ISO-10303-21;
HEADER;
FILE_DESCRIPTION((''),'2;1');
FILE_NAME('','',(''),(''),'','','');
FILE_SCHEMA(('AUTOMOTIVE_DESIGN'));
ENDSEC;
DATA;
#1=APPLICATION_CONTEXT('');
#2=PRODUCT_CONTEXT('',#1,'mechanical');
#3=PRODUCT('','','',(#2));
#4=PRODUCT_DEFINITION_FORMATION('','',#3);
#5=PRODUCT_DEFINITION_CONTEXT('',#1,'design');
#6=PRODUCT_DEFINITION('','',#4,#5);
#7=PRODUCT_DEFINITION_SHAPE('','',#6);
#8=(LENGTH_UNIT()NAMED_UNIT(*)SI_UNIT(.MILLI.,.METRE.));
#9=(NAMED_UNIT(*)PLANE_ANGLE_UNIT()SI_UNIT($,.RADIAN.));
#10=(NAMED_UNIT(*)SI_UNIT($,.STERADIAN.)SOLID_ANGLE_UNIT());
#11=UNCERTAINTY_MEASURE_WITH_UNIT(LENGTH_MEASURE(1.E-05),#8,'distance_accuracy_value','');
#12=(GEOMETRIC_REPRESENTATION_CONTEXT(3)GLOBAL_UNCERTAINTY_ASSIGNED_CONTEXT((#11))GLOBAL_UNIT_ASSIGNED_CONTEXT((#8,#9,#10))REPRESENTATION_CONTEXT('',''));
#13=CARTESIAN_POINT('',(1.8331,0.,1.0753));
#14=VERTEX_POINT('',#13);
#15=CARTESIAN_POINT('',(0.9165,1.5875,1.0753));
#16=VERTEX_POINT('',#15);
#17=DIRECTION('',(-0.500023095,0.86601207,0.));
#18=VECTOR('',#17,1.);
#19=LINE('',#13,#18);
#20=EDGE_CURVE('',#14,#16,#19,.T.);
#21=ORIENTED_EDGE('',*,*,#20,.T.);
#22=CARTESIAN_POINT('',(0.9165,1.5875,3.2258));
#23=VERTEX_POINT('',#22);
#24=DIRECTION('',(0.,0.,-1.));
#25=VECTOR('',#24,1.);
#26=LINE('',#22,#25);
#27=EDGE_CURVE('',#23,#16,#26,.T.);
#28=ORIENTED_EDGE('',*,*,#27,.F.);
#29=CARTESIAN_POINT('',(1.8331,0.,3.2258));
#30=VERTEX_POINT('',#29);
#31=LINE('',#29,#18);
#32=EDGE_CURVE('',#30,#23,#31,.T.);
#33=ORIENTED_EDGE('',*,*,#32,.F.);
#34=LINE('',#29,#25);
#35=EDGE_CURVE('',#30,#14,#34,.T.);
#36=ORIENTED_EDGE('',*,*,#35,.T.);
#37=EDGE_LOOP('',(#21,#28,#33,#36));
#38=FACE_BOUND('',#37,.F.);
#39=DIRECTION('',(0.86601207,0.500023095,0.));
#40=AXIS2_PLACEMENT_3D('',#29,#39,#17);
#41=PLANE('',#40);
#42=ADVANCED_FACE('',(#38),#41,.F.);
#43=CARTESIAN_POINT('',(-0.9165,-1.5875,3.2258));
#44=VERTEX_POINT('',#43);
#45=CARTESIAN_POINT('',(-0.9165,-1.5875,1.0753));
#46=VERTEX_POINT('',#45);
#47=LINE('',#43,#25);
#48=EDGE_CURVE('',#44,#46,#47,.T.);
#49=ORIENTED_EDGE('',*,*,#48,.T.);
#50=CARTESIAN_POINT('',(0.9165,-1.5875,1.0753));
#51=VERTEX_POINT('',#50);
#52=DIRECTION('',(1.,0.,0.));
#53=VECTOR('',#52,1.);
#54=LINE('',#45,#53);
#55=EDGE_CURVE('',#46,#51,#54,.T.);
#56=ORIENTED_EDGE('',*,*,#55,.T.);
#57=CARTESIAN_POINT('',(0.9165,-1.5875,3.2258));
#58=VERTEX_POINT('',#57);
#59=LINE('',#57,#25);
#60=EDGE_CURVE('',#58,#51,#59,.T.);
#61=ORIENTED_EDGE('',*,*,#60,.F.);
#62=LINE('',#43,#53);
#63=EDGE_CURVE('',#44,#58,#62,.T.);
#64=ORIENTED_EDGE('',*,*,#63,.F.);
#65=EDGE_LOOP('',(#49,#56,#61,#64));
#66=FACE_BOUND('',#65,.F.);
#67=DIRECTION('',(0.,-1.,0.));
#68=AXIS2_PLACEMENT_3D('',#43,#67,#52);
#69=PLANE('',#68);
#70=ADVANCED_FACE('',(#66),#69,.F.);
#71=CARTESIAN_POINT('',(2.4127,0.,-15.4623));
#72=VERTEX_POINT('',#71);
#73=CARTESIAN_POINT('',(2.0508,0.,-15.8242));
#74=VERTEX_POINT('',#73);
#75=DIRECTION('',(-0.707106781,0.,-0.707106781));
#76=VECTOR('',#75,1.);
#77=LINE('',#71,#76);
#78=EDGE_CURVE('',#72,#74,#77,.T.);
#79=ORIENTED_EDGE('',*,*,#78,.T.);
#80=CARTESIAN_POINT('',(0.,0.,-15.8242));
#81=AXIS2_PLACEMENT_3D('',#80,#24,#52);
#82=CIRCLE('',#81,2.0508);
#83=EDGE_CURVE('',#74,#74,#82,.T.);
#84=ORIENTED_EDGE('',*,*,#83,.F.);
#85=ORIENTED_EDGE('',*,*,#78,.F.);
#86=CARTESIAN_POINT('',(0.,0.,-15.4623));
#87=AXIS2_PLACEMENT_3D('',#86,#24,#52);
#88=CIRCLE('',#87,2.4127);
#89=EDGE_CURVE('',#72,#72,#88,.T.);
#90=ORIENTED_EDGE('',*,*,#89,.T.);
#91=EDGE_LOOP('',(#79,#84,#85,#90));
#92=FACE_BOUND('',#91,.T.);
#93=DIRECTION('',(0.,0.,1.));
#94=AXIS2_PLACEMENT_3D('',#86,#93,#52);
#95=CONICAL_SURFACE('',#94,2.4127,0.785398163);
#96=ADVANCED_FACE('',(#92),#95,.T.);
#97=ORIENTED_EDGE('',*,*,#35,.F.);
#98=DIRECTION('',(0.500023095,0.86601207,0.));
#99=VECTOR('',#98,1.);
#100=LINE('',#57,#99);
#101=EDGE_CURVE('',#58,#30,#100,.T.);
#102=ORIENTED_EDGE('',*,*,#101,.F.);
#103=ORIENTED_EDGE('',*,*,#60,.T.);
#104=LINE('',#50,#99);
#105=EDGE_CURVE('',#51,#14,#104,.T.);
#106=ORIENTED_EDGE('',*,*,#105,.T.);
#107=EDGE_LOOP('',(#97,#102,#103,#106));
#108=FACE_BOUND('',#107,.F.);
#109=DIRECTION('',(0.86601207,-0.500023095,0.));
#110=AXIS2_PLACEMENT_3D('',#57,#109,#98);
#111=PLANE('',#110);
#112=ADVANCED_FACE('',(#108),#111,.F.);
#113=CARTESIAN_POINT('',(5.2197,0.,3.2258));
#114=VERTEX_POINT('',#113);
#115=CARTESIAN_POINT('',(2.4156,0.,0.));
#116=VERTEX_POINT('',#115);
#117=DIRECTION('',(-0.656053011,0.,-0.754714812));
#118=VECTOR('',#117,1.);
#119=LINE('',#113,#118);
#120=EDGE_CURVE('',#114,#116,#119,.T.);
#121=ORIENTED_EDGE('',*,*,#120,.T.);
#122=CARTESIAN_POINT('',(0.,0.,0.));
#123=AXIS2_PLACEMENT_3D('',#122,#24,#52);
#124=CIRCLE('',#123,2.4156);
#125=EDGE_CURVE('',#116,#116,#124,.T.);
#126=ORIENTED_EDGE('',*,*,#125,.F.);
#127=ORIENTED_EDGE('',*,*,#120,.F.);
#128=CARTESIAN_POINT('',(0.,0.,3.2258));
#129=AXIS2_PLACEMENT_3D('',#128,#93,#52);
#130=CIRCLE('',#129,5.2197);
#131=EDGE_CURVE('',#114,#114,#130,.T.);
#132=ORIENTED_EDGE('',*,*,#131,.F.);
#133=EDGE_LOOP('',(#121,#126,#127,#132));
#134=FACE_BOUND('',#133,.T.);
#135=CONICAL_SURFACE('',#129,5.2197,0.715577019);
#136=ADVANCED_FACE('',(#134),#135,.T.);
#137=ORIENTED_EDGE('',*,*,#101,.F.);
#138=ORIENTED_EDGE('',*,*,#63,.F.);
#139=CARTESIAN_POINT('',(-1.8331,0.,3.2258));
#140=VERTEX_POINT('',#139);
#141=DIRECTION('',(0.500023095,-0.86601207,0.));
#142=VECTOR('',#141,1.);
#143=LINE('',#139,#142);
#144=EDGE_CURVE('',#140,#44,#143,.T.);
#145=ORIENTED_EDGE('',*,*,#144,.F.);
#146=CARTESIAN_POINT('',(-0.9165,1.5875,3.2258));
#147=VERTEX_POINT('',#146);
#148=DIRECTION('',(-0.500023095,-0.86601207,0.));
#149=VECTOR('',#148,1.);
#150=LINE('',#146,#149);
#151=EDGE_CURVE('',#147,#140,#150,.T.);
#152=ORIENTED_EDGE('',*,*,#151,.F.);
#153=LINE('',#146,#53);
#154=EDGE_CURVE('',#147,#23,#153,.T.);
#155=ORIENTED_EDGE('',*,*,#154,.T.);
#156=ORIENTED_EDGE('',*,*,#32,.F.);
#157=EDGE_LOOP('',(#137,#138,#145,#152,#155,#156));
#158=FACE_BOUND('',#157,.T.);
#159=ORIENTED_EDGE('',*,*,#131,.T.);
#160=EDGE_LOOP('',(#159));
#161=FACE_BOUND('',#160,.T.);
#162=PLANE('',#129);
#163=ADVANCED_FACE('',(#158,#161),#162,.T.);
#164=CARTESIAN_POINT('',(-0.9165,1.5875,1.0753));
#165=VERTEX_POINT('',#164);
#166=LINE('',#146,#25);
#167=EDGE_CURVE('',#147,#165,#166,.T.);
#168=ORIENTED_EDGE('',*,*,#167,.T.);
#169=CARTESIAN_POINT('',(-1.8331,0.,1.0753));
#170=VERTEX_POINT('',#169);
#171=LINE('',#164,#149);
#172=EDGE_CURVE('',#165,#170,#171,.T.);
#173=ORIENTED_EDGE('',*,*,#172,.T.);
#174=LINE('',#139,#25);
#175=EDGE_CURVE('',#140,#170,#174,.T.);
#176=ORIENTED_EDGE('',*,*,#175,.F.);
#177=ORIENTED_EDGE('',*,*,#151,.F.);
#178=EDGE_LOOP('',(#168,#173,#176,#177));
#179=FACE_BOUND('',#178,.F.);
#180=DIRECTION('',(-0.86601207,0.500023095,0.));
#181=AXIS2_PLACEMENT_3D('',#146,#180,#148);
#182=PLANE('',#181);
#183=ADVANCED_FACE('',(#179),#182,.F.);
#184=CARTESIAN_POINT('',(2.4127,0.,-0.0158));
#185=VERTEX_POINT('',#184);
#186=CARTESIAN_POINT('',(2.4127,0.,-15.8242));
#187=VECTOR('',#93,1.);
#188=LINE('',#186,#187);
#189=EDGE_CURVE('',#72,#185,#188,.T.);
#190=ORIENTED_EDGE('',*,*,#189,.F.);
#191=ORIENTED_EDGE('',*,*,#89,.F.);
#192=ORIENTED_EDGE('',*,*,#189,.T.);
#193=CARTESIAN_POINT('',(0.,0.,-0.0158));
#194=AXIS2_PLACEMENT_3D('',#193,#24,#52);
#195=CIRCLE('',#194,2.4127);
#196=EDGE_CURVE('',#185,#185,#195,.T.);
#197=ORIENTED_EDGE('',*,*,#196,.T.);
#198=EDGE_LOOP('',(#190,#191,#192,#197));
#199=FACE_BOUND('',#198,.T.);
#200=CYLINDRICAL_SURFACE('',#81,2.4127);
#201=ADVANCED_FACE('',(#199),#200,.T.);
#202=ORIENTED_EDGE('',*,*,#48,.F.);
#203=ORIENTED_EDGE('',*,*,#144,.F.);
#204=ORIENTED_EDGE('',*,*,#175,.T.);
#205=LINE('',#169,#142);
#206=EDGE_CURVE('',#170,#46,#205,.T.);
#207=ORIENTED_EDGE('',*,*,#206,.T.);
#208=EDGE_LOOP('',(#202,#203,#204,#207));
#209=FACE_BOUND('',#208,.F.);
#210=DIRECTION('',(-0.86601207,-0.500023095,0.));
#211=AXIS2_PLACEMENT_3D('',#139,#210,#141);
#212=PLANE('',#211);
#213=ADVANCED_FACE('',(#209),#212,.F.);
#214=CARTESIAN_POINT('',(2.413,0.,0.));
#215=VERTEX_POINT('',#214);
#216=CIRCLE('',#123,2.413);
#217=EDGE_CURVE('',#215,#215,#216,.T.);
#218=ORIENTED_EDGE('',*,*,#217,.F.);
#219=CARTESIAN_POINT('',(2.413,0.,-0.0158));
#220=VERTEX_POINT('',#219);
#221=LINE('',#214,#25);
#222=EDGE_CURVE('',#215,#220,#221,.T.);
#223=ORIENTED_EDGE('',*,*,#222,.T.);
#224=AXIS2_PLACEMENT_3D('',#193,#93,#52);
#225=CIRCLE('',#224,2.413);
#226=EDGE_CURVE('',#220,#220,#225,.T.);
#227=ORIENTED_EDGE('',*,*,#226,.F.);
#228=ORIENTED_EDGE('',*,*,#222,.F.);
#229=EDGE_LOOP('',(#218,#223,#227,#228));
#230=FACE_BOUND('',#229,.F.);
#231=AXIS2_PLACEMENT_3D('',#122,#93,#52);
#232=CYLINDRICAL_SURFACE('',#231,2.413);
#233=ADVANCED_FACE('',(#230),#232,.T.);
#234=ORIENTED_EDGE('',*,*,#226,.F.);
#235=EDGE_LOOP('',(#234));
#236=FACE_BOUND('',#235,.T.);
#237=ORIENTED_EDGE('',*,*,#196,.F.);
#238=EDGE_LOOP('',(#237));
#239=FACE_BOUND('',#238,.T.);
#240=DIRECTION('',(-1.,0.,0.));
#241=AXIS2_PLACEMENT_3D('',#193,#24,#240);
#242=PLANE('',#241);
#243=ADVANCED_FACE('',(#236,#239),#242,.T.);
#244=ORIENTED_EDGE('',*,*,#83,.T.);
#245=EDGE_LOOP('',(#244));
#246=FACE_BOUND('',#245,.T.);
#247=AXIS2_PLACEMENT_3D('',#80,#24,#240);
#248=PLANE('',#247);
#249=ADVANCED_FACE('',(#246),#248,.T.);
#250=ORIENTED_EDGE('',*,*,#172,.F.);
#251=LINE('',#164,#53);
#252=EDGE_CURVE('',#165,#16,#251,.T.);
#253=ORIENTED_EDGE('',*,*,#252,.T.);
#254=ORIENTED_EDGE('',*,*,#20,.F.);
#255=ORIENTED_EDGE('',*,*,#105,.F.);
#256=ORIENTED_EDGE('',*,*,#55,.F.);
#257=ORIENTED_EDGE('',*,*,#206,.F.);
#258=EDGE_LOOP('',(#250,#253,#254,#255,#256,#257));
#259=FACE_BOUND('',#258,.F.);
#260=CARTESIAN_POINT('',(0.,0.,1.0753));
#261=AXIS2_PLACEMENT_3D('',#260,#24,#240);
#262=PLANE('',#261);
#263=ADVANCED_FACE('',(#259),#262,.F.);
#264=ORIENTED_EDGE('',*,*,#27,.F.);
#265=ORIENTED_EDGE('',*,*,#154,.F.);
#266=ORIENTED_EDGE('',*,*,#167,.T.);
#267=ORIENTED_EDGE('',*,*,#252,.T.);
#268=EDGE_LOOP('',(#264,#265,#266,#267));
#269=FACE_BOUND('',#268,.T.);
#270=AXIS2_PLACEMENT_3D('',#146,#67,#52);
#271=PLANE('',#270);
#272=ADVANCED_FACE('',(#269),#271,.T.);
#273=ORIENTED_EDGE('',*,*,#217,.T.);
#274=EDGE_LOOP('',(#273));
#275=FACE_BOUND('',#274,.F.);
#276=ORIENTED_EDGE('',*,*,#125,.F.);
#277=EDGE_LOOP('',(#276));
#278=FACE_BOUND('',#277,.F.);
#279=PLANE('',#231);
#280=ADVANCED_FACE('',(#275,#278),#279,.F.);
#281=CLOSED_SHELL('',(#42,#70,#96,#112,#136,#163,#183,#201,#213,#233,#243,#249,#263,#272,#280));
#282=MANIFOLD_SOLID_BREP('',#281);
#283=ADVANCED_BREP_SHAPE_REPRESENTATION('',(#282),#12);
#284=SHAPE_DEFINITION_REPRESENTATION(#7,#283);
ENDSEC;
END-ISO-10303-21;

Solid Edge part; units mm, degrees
sketch "Sketch1" plane through (0, 0, 0) normal (0, 0, 1) x (1, 0, 0)
  circle A0 centre (0, 0) radius 5.2197
  dimension "D1" = 10.4394
extrude "Protrusion1" add sketch "Sketch1" along normal blind 3.2258
sketch "Sketch2" plane through (0, 0, 0) normal (0, 0, -1) x (1, 0, 0)
  circle A0 centre (0, 0) radius 2.413
extrude "Protrusion2" add sketch "Sketch2" along normal blind 15.8242
sketch "Sketch3" plane through (0, 0, -15.8242) normal (0, 0, -1) x (1, 0, 0)
  circle A0 centre (0, 0) radius 2.4127
extrude "Cutout1" cut sketch "Sketch3" against normal blind 15.8084 flip side to cut
chamfer "Chamfer_1" distance 0.3619 angle 45 1 edges at (-2.4127, 0, -15.8242)
sketch "Sketch4" plane through (0, 0, 3.2258) normal (0, 0, 1) x (1, 0, 0)
  line L0 (-0.9165, 1.5875) -> (0.9165, 1.5875)
  line L1 (1.8331, 0) -> (0.9165, 1.5875)
  line L2 (0.9165, -1.5875) -> (1.8331, 0)
  line L3 (-0.9165, -1.5875) -> (0.9165, -1.5875)
  line L4 (-1.8331, 0) -> (-0.9165, -1.5875)
  line L5 (-0.9165, 1.5875) -> (-1.8331, 0)
  dimension "D1" = 3.175
extrude "Cutout2" cut sketch "Sketch4" against normal blind 2.1505
sketch "Sketch5" plane through (0, 0, 0) normal (0, -1, 0) x (1, 0, 0)
  line L0 (5.2197, 3.2258) -> (2.4156, 0)
  line L1 (2.4156, 0) -> (5.2197, 0)
  line L2 (5.2197, 0) -> (5.2197, 3.2258)
revolve "RevolvedCutout1" cut sketch "Sketch5" angle 360 about axis through (0, 0, 14.0017) along (0, 0, -1)
properties part number "24101615"
